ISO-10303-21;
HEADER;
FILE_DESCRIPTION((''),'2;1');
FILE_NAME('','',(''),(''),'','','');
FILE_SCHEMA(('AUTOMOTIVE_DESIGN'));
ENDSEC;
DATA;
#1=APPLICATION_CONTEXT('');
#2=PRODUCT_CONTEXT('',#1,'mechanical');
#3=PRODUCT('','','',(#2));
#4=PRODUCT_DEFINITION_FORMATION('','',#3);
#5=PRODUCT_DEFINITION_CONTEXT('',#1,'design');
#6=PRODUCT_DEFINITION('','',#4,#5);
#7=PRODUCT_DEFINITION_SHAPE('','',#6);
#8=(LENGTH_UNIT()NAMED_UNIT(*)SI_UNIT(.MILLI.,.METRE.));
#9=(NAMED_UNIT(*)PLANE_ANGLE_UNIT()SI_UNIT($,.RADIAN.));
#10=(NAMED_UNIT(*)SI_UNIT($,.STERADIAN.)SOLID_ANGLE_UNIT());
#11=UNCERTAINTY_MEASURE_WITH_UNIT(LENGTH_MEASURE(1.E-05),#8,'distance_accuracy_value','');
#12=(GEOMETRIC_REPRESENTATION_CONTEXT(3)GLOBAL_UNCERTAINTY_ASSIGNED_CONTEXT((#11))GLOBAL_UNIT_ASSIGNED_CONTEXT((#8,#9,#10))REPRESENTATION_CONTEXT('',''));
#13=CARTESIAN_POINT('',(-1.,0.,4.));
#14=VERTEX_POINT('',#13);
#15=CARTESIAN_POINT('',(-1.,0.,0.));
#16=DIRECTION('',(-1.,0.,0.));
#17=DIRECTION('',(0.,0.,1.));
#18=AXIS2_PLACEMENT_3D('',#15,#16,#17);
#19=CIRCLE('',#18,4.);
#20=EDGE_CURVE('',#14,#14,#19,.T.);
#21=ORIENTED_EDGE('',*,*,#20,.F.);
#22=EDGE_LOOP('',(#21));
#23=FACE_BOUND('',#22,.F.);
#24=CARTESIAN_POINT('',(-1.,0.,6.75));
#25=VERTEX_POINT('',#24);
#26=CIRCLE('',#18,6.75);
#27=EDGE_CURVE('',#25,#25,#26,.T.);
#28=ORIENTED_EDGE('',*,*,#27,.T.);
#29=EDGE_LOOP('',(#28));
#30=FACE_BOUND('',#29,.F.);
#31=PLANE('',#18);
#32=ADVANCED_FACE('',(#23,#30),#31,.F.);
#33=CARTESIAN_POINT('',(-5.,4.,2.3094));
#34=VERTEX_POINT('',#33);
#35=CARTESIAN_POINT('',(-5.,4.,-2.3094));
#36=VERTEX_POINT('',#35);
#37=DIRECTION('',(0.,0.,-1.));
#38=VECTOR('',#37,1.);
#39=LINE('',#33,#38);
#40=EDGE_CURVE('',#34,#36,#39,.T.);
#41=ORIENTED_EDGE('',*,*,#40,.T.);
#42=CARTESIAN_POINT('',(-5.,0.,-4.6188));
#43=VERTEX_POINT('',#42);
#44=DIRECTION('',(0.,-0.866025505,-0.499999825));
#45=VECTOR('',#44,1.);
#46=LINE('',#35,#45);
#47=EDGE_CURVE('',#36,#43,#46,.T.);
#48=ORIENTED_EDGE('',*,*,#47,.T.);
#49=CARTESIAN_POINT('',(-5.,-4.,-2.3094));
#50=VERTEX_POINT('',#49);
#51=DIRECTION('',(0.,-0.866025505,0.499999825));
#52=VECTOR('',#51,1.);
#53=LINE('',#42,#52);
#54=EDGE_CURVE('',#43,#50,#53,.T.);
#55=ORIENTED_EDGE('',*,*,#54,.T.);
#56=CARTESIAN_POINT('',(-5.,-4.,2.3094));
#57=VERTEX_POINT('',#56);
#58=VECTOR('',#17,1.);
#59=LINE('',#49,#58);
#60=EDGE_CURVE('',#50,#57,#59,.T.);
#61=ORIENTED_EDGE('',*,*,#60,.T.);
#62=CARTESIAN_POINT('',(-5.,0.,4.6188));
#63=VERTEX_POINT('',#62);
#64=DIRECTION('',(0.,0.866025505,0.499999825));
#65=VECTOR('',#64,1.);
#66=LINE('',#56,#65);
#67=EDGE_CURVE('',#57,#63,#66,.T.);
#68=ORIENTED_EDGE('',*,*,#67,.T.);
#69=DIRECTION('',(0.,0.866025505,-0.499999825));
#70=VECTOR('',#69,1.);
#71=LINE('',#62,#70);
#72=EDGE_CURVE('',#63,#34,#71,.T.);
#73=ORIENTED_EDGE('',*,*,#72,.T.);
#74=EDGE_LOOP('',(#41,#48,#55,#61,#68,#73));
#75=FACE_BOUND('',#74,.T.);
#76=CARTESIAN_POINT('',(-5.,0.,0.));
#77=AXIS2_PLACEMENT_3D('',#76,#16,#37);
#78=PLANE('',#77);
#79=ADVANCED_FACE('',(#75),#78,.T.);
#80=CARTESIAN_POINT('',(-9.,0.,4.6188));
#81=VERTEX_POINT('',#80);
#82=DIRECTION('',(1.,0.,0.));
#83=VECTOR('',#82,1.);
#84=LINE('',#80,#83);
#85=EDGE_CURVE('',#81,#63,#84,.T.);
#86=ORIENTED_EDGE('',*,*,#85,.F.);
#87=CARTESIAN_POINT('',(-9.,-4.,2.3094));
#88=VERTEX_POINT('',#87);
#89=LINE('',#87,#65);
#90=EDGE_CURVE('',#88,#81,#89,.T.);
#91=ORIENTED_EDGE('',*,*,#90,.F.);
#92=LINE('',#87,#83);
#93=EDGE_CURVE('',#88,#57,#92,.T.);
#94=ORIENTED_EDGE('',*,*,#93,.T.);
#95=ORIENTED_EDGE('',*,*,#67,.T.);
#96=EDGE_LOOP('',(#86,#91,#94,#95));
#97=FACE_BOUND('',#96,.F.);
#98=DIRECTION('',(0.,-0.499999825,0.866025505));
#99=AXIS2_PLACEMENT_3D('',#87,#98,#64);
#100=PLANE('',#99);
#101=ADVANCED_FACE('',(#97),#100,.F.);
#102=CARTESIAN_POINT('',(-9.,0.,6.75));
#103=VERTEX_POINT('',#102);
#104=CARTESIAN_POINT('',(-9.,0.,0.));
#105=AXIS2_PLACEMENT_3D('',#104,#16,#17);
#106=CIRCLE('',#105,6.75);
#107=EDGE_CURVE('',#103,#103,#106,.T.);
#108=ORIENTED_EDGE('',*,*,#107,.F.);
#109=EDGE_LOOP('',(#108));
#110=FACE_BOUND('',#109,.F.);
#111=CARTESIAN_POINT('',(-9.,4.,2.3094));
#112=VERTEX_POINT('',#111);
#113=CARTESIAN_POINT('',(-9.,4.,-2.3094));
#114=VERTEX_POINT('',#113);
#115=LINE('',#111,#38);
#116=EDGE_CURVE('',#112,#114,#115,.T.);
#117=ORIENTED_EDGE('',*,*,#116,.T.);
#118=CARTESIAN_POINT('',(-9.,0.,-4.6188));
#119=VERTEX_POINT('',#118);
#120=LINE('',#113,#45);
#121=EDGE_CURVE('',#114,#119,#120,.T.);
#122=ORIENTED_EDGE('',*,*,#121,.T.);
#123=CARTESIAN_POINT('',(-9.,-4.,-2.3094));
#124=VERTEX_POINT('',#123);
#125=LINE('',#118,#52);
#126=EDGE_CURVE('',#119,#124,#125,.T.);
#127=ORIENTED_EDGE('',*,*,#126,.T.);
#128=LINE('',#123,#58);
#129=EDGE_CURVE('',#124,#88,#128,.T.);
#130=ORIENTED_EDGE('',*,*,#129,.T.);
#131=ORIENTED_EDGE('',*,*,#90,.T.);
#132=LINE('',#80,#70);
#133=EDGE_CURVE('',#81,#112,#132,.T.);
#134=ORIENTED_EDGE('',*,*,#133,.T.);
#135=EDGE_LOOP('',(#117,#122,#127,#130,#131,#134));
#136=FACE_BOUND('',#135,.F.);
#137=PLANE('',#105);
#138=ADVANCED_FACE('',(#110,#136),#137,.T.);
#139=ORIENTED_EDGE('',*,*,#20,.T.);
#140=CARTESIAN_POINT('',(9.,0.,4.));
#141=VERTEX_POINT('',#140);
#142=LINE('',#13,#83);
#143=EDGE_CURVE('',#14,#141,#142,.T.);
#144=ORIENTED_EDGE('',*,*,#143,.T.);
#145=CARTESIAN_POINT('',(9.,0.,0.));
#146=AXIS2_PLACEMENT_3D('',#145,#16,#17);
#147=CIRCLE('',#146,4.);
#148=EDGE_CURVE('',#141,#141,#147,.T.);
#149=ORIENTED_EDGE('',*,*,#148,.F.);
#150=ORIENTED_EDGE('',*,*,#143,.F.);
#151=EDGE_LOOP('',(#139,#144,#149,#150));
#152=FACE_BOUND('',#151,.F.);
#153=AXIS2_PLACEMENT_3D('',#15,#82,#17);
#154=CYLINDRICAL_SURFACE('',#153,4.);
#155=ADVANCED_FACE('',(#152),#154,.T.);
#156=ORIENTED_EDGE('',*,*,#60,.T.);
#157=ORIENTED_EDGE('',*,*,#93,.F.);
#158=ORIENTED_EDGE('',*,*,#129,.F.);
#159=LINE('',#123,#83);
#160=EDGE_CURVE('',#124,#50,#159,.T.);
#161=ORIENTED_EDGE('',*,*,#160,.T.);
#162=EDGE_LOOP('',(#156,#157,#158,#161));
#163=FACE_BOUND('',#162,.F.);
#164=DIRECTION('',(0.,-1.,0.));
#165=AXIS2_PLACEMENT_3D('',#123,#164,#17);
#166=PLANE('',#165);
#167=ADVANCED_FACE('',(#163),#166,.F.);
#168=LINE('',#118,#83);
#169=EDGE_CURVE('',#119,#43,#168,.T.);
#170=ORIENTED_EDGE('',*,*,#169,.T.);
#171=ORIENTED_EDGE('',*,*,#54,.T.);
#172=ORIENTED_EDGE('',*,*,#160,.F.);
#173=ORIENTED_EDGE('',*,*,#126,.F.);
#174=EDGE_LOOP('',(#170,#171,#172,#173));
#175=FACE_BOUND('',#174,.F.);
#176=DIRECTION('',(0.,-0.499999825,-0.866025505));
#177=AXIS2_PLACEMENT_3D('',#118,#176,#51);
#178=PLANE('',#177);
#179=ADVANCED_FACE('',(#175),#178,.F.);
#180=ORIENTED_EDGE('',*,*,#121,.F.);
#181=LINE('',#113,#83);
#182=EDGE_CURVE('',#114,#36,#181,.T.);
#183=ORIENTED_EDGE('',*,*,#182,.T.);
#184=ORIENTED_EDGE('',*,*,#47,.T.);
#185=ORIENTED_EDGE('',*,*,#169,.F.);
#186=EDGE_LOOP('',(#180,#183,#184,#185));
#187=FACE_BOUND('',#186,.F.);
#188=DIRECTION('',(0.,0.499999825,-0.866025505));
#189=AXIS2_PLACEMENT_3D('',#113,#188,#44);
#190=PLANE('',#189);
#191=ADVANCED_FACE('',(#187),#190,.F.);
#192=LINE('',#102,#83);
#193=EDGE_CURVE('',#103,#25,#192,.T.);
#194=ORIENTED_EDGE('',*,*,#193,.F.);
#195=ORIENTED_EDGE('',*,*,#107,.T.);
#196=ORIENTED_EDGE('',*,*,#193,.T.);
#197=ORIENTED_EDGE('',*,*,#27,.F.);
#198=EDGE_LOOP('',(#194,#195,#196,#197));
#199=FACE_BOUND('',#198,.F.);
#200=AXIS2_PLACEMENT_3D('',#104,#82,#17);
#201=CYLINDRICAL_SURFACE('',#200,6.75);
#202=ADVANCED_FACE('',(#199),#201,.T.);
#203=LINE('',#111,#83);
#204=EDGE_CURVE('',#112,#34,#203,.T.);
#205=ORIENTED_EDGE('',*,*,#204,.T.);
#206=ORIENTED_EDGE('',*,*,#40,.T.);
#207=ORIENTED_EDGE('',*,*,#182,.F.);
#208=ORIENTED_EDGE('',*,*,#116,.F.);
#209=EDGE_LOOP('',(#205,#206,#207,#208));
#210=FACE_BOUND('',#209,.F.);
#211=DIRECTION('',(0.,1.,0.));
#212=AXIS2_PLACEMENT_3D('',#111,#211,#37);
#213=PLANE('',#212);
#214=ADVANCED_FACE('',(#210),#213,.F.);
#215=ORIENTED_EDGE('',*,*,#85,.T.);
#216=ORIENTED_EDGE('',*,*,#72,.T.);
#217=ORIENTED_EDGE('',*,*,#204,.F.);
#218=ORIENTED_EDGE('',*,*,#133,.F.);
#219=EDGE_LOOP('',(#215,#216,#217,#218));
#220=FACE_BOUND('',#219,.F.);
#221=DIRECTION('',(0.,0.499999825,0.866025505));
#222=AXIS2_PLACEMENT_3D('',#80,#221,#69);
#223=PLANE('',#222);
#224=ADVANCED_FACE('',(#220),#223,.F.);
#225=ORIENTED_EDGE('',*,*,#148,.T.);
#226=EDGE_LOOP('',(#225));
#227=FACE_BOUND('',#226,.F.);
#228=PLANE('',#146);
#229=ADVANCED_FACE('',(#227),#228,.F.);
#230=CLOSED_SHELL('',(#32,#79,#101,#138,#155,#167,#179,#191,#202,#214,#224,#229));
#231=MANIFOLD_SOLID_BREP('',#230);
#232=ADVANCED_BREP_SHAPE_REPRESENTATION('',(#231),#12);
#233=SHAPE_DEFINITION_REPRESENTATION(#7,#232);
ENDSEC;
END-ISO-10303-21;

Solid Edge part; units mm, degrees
sketch "Sketch1" plane through (10.8674, 0, 10.8674) normal (0, -1, 0) x (1, 0, 0)
  line L0 (-19.8674, -10.8674) -> (-19.8674, -4.1174)
  line L1 (-19.8674, -4.1174) -> (-11.8674, -4.1174)
  line L2 (-11.8674, -4.1174) -> (-11.8674, -6.8674)
  line L3 (-11.8674, -6.8674) -> (-1.8674, -6.8674)
  line L4 (-1.8674, -6.8674) -> (-1.8674, -10.8674)
  dimension "D1" = 8
  dimension "D2" = 10
revolve "RevolvedProtrusion1" add sketch "Sketch1" angle 360 about axis through (16.5, 0, 0) along (-1, 0, 0)
sketch "Sketch2" plane through (-9, 0, 0) normal (-1, 0, 0) x (0, 0, -1)
  line L0 (4.6188, 0) -> (2.3094, 4)
  line L1 (2.3094, 4) -> (-2.3094, 4)
  line L2 (-2.3094, 4) -> (-4.6188, 0)
  line L3 (-4.6188, 0) -> (-2.3094, -4)
  line L4 (-2.3094, -4) -> (2.3094, -4)
  line L5 (2.3094, -4) -> (4.6188, 0)
  dimension "D1" = 8
extrude "Cutout1" cut sketch "Sketch2" against normal blind 4
cosmetic_thread "Gänga" size "M8" thread depth 5
properties material "Steel"
